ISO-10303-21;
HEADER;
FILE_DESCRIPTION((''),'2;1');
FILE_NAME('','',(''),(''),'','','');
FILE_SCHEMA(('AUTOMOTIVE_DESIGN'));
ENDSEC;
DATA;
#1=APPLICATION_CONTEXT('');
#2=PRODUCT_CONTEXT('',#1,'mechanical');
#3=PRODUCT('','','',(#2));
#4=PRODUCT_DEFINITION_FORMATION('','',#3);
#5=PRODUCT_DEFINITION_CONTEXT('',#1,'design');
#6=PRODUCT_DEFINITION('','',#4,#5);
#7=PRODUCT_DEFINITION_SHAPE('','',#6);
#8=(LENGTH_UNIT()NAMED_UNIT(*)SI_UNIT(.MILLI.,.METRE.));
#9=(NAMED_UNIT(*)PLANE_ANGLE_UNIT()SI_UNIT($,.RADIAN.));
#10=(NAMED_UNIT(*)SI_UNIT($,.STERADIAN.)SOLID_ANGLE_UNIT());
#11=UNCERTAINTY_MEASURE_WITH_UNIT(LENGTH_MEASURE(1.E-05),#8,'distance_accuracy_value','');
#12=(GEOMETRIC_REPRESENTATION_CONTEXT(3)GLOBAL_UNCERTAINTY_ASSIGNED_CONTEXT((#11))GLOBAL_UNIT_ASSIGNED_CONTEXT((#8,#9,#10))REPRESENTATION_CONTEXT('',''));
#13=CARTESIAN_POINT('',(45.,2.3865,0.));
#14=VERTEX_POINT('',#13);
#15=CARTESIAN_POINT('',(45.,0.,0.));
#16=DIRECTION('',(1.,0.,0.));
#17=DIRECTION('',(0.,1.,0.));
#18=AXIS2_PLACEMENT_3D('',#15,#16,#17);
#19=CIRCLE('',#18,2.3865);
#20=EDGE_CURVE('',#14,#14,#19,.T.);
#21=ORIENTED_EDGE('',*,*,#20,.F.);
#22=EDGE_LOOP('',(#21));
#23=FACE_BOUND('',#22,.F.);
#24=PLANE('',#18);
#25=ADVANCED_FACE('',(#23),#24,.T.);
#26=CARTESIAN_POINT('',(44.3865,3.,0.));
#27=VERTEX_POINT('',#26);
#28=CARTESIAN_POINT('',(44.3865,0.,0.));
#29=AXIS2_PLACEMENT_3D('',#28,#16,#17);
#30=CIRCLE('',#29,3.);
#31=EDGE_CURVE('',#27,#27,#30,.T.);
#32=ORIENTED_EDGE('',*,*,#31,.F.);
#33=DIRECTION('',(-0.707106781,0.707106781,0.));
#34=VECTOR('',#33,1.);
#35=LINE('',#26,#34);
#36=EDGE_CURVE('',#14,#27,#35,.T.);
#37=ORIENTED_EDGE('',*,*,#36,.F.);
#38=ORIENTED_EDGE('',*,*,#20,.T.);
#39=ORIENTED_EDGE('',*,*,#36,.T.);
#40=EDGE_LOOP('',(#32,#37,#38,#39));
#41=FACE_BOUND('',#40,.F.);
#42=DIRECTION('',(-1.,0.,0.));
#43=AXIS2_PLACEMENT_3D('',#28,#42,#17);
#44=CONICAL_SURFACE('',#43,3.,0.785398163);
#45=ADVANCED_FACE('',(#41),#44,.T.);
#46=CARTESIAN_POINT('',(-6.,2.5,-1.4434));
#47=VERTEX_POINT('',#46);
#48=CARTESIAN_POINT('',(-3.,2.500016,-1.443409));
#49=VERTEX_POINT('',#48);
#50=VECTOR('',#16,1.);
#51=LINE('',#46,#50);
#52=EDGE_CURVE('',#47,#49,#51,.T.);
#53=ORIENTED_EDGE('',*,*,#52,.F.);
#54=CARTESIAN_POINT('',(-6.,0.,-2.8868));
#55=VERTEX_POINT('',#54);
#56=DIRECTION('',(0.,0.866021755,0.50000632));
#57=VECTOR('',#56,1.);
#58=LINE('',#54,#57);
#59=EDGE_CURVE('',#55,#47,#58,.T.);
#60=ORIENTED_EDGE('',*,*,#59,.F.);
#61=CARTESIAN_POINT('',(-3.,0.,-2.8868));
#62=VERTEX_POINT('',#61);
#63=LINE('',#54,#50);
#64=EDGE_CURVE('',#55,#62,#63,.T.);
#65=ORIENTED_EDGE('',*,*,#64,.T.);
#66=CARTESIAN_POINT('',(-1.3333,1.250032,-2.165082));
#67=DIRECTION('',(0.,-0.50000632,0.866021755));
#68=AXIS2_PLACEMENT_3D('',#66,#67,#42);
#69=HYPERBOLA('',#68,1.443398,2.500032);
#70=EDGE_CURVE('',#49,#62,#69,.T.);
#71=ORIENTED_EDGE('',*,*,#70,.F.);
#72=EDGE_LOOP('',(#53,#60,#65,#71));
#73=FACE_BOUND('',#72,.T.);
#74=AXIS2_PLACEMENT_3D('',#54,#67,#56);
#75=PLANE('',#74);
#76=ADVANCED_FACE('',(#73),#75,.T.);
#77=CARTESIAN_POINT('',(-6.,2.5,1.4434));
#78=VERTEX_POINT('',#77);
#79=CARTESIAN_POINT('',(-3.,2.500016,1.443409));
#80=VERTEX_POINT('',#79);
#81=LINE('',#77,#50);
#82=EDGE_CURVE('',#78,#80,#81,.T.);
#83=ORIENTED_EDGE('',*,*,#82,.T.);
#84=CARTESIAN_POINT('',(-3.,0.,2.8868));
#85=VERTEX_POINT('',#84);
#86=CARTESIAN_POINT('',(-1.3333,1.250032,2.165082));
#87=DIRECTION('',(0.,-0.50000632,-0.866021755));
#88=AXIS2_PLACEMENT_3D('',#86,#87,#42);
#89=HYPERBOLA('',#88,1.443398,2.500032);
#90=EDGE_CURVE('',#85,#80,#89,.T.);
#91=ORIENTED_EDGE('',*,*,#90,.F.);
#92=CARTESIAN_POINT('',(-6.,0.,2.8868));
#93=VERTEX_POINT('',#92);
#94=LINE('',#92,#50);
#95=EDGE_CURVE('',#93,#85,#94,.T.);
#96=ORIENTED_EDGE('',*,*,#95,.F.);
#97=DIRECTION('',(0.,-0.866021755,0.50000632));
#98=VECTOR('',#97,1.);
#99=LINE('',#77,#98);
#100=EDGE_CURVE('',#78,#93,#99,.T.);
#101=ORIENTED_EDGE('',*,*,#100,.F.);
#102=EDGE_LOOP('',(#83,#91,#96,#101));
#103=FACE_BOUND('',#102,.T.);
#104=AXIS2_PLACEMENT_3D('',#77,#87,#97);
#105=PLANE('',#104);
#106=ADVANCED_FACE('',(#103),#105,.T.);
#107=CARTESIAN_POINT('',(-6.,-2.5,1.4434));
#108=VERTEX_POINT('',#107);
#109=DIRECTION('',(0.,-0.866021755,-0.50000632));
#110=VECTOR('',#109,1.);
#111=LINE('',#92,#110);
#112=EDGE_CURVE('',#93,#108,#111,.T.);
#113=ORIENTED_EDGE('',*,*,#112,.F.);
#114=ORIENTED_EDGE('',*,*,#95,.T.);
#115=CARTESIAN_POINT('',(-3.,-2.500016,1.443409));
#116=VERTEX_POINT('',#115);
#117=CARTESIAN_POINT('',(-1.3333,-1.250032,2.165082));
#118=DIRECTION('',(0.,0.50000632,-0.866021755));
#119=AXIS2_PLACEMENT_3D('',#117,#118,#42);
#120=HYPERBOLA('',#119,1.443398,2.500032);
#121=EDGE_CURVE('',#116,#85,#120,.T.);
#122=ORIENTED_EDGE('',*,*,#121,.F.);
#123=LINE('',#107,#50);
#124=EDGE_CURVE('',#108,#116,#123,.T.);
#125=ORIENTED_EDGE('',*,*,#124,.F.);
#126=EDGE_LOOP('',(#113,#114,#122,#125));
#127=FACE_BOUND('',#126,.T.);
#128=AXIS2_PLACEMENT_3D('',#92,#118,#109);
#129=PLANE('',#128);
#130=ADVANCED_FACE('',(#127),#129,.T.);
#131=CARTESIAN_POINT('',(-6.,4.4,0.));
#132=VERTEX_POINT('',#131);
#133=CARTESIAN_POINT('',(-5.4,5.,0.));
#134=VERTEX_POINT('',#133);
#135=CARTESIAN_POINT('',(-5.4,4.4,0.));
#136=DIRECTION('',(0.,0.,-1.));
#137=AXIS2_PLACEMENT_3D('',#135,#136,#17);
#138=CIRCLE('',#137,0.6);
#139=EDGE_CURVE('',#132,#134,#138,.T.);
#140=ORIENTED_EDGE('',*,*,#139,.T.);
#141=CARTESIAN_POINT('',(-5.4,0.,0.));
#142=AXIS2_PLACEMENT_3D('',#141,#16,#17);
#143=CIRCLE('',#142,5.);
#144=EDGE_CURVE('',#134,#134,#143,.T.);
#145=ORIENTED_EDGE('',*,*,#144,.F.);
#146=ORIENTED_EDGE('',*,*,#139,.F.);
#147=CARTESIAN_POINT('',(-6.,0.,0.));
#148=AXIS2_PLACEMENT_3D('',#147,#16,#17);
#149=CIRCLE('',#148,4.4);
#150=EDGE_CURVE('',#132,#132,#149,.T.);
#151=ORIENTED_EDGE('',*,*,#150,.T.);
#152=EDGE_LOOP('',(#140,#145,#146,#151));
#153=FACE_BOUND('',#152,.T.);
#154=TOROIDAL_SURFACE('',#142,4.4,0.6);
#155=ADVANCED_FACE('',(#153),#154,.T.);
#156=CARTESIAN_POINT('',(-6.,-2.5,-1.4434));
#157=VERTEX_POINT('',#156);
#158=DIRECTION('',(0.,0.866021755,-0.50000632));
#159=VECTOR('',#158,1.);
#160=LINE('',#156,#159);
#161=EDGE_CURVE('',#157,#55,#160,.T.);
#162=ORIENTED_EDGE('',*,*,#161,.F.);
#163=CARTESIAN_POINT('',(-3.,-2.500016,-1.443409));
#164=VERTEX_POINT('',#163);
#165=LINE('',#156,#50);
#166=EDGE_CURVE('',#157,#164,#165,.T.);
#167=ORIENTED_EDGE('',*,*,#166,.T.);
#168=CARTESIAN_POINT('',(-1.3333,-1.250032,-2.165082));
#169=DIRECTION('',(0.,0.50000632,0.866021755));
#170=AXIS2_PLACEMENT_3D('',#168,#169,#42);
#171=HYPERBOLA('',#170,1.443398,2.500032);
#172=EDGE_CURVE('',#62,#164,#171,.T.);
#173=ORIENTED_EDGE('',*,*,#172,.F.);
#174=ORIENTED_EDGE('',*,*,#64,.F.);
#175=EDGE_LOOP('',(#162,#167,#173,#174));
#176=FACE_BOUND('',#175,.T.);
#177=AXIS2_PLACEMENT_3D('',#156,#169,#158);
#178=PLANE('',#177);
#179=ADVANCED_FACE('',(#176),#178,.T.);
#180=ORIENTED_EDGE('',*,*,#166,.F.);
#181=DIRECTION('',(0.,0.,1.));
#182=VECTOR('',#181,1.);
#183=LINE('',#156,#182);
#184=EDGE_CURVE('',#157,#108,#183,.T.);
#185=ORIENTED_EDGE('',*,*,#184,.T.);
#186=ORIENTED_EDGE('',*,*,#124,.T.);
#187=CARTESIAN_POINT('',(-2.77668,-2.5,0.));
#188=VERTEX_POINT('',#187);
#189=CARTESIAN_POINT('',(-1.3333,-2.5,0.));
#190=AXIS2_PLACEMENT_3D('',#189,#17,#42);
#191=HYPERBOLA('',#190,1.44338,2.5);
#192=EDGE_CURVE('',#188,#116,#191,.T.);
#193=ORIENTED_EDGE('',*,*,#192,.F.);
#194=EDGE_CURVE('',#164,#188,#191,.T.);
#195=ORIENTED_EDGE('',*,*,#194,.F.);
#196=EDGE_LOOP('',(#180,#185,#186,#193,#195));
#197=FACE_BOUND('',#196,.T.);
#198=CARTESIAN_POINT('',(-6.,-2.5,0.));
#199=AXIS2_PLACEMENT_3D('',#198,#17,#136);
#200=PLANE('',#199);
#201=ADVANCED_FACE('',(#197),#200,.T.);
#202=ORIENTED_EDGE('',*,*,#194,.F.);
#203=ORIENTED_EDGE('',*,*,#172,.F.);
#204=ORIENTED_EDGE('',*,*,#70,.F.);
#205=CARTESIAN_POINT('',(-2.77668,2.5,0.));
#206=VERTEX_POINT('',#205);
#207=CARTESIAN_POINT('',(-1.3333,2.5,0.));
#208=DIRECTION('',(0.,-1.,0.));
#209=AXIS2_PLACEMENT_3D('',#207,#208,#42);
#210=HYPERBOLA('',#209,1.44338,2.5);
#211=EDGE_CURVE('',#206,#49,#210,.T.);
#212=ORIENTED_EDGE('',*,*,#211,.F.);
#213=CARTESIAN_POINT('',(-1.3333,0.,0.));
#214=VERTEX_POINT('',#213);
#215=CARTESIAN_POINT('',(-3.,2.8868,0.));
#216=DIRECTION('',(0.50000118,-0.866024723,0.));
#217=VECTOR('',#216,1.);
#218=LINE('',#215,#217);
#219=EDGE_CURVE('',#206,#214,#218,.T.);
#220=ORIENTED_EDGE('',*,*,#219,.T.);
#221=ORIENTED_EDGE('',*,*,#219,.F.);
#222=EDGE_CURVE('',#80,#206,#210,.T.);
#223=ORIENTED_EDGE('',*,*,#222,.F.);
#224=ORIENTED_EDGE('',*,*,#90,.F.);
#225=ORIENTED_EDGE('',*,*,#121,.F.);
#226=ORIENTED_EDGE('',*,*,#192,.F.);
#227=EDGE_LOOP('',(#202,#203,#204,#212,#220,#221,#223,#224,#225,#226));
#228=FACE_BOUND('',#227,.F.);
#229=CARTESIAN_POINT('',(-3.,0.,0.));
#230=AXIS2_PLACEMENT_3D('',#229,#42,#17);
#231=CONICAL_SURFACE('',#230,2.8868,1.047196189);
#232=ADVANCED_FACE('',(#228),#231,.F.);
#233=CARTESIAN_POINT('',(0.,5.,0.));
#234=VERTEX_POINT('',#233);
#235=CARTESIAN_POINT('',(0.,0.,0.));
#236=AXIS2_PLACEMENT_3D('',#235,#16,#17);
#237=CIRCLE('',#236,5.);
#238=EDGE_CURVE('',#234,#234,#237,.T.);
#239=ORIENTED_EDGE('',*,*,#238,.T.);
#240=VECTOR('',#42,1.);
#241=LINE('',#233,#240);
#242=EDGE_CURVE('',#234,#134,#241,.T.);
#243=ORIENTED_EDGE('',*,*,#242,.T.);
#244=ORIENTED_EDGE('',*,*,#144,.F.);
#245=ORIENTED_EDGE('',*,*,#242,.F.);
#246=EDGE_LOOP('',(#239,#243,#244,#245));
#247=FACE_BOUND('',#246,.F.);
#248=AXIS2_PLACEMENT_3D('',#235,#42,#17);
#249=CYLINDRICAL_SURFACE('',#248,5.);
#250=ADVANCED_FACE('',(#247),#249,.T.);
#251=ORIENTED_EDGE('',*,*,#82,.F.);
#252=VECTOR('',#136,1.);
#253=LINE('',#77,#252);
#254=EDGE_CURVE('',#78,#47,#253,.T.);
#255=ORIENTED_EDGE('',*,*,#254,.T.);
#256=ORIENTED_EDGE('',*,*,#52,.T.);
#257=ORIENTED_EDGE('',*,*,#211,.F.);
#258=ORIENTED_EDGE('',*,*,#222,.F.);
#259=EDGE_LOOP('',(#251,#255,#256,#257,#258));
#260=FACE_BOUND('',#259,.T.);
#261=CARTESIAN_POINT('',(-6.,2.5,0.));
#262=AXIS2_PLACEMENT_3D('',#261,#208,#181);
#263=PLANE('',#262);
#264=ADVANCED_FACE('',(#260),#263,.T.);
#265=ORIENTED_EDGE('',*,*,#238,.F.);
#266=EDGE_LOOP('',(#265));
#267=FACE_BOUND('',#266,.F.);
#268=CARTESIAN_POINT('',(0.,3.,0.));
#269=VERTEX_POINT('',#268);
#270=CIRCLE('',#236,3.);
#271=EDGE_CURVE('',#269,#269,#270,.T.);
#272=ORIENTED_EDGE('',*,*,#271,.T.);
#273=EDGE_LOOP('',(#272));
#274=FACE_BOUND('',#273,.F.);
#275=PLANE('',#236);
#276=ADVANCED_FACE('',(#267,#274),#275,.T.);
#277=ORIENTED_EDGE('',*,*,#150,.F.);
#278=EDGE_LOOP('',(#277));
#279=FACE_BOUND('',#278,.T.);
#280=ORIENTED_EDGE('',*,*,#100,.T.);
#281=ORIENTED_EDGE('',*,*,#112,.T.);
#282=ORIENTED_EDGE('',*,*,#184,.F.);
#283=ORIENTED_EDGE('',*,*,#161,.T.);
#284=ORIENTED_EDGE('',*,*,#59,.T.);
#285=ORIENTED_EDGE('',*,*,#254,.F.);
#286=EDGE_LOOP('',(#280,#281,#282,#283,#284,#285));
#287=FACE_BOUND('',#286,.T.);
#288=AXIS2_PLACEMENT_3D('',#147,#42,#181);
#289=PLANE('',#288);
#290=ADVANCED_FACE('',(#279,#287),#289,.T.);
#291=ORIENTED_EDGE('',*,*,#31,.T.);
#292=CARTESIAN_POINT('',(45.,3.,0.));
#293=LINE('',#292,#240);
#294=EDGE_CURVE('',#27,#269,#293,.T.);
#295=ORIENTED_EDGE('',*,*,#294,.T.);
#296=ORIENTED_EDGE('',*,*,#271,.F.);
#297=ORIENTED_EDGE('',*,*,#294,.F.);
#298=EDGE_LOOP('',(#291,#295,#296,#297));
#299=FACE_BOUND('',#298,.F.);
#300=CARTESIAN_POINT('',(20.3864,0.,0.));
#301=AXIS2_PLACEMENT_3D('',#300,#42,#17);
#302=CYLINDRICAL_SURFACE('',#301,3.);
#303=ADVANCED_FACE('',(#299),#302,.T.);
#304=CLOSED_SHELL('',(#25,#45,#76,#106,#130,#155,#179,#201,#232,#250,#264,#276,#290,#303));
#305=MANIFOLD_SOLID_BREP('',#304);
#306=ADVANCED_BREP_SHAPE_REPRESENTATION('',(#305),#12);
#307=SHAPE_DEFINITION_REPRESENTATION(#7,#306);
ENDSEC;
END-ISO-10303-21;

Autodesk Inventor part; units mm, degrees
ref_plane "YZ Plane" through (0, 0, 0) normal (1, 0, 0) x (0, 1, 0)
ref_plane "XZ Plane" through (0, 0, 0) normal (0, 1, 0) x (-1, 0, 0)
sketch "Sketch1" plane through (0, 0, 0) normal (0, 0, 1) x (1, 0, 0)
  line L0 (-1.3333, 0) -> (45, 0)
  line L1 (45, 0) -> (45, 3)
  line L2 (45, 3) -> (21, 3)
  line L3 (21, 3) -> (20.3864, 3)
  line L4 (20.3864, 3) -> (0, 3)
  line L5 (0, 3) -> (0, 5)
  line L6 (0, 5) -> (-6, 5)
  line L7 (-6, 5) -> (-6, 2.8868)
  line L8 (-6, 2.8868) -> (-3, 2.8868)
  line L9 (-3, 2.8868) -> (-1.3333, 0)
  line L10 (-11.1, 0) -> (60.3, 0) projected
  line L11 (0, -0.5) -> (0, 6.5) projected
  line L12 (21, 3) -> (0, 3) construction
  dimension "d1" = 24
  dimension "d2" = 0.6136
  dimension "d3" = 6
  dimension "d4" = 3
  dimension "d5" = 60
  dimension "d6" = 6
  dimension "d7" = 6
  dimension "d8" = 5.7735
  dimension "d9" = 10
  dimension "d26" = 45
revolve "Body" add sketch "Sketch1" angle 360 about axis through (-1.3333, 0, 0) along (1, 0, 0)
sketch "Sketch2" plane through (-6, 0, 0) normal (-1, 0, 0) x (0, 0, 1)
  circle A0 centre (0, 0) radius 2.8868 projected
  line L0 (0, -6) -> (0, 8) projected
  line L1 (-6, 0) -> (8, 0) projected
  line L2 (2.8868, 0) -> (1.4434, -2.5)
  line L3 (1.4434, -2.5) -> (-1.4434, -2.5)
  line L4 (-1.4434, -2.5) -> (-2.8868, 0)
  line L5 (-2.8868, 0) -> (-1.4434, 2.5)
  line L6 (-1.4434, 2.5) -> (1.4434, 2.5)
  line L7 (1.4434, 2.5) -> (2.8868, 0)
extrude "Slot" add sketch "Sketch2" against normal up to next contours L7 A0 | A0 L2 | L6 L0 A0 | A0 L0 L3 | L0 L6 A0 | A0 L3 L0 | L4 A0 | A0 L5
fillet "Fillet1" radius 0.6 1 edges at (-6, -5, 0)
thread "Thread" size "M6x1" class "6g" standard "ISO Metric profile" length 24
chamfer "Chamfer1" distance 0.6135 distance2 0.6135 1 edges at (45, -3, 0) measured on face at (45, -0.5525, -1.8157)
ref_plane "Work Plane1" through (29, 0, 0) normal (0, -1, 0) x (1, 0, 0)
equation "\"d1\" = GEL"
equation "\"d3\" = KOH"
equation "\"d4\" = INTI"
equation "\"d6\" = GD"
equation "\"d7\" = BDM"
equation "\"d8\" = 1.1547 * SW"
equation "\"d9\" = KOD"
equation "\"d26\" = NLG"
equation "\"d17\" = RR"
equation "\"d13\" = GEL"
equation "\"d15\" = -0.5 * SPD + 0.5 * GD"
equation "\"d16\" = GUL"
equation "\"GD\" = 6"
equation "\"NLG\" = 45"
equation "\"GEL\" = 24"
equation "\"KOD\" = 10"
equation "\"KOH\" = 6"
equation "\"INTI\" = 3"
equation "\"GAL\" = 0.61345 * PTC"
equation "\"GUL\" = 0.61345 * PTC"
equation "\"BDM\" = NND"
equation "\"SW\" = 5"
equation "\"RR\" = 0.6"
equation "\"SPD\" = NND - 1.2269 * PTC"
equation "\"TOA\" = 30deg"
equation "\"GD1\" = THREADDIA - 1.2269 * PTC"
equation "\"THREADDIA\" = 6"
equation "\"FAWI\" = 45deg"
equation "\"PTC\" = 1"
equation "\"NND\" = 6"
equation "\"E0\" = 1.155 * SW"
properties part number "100011" material "Steel, Mild"
